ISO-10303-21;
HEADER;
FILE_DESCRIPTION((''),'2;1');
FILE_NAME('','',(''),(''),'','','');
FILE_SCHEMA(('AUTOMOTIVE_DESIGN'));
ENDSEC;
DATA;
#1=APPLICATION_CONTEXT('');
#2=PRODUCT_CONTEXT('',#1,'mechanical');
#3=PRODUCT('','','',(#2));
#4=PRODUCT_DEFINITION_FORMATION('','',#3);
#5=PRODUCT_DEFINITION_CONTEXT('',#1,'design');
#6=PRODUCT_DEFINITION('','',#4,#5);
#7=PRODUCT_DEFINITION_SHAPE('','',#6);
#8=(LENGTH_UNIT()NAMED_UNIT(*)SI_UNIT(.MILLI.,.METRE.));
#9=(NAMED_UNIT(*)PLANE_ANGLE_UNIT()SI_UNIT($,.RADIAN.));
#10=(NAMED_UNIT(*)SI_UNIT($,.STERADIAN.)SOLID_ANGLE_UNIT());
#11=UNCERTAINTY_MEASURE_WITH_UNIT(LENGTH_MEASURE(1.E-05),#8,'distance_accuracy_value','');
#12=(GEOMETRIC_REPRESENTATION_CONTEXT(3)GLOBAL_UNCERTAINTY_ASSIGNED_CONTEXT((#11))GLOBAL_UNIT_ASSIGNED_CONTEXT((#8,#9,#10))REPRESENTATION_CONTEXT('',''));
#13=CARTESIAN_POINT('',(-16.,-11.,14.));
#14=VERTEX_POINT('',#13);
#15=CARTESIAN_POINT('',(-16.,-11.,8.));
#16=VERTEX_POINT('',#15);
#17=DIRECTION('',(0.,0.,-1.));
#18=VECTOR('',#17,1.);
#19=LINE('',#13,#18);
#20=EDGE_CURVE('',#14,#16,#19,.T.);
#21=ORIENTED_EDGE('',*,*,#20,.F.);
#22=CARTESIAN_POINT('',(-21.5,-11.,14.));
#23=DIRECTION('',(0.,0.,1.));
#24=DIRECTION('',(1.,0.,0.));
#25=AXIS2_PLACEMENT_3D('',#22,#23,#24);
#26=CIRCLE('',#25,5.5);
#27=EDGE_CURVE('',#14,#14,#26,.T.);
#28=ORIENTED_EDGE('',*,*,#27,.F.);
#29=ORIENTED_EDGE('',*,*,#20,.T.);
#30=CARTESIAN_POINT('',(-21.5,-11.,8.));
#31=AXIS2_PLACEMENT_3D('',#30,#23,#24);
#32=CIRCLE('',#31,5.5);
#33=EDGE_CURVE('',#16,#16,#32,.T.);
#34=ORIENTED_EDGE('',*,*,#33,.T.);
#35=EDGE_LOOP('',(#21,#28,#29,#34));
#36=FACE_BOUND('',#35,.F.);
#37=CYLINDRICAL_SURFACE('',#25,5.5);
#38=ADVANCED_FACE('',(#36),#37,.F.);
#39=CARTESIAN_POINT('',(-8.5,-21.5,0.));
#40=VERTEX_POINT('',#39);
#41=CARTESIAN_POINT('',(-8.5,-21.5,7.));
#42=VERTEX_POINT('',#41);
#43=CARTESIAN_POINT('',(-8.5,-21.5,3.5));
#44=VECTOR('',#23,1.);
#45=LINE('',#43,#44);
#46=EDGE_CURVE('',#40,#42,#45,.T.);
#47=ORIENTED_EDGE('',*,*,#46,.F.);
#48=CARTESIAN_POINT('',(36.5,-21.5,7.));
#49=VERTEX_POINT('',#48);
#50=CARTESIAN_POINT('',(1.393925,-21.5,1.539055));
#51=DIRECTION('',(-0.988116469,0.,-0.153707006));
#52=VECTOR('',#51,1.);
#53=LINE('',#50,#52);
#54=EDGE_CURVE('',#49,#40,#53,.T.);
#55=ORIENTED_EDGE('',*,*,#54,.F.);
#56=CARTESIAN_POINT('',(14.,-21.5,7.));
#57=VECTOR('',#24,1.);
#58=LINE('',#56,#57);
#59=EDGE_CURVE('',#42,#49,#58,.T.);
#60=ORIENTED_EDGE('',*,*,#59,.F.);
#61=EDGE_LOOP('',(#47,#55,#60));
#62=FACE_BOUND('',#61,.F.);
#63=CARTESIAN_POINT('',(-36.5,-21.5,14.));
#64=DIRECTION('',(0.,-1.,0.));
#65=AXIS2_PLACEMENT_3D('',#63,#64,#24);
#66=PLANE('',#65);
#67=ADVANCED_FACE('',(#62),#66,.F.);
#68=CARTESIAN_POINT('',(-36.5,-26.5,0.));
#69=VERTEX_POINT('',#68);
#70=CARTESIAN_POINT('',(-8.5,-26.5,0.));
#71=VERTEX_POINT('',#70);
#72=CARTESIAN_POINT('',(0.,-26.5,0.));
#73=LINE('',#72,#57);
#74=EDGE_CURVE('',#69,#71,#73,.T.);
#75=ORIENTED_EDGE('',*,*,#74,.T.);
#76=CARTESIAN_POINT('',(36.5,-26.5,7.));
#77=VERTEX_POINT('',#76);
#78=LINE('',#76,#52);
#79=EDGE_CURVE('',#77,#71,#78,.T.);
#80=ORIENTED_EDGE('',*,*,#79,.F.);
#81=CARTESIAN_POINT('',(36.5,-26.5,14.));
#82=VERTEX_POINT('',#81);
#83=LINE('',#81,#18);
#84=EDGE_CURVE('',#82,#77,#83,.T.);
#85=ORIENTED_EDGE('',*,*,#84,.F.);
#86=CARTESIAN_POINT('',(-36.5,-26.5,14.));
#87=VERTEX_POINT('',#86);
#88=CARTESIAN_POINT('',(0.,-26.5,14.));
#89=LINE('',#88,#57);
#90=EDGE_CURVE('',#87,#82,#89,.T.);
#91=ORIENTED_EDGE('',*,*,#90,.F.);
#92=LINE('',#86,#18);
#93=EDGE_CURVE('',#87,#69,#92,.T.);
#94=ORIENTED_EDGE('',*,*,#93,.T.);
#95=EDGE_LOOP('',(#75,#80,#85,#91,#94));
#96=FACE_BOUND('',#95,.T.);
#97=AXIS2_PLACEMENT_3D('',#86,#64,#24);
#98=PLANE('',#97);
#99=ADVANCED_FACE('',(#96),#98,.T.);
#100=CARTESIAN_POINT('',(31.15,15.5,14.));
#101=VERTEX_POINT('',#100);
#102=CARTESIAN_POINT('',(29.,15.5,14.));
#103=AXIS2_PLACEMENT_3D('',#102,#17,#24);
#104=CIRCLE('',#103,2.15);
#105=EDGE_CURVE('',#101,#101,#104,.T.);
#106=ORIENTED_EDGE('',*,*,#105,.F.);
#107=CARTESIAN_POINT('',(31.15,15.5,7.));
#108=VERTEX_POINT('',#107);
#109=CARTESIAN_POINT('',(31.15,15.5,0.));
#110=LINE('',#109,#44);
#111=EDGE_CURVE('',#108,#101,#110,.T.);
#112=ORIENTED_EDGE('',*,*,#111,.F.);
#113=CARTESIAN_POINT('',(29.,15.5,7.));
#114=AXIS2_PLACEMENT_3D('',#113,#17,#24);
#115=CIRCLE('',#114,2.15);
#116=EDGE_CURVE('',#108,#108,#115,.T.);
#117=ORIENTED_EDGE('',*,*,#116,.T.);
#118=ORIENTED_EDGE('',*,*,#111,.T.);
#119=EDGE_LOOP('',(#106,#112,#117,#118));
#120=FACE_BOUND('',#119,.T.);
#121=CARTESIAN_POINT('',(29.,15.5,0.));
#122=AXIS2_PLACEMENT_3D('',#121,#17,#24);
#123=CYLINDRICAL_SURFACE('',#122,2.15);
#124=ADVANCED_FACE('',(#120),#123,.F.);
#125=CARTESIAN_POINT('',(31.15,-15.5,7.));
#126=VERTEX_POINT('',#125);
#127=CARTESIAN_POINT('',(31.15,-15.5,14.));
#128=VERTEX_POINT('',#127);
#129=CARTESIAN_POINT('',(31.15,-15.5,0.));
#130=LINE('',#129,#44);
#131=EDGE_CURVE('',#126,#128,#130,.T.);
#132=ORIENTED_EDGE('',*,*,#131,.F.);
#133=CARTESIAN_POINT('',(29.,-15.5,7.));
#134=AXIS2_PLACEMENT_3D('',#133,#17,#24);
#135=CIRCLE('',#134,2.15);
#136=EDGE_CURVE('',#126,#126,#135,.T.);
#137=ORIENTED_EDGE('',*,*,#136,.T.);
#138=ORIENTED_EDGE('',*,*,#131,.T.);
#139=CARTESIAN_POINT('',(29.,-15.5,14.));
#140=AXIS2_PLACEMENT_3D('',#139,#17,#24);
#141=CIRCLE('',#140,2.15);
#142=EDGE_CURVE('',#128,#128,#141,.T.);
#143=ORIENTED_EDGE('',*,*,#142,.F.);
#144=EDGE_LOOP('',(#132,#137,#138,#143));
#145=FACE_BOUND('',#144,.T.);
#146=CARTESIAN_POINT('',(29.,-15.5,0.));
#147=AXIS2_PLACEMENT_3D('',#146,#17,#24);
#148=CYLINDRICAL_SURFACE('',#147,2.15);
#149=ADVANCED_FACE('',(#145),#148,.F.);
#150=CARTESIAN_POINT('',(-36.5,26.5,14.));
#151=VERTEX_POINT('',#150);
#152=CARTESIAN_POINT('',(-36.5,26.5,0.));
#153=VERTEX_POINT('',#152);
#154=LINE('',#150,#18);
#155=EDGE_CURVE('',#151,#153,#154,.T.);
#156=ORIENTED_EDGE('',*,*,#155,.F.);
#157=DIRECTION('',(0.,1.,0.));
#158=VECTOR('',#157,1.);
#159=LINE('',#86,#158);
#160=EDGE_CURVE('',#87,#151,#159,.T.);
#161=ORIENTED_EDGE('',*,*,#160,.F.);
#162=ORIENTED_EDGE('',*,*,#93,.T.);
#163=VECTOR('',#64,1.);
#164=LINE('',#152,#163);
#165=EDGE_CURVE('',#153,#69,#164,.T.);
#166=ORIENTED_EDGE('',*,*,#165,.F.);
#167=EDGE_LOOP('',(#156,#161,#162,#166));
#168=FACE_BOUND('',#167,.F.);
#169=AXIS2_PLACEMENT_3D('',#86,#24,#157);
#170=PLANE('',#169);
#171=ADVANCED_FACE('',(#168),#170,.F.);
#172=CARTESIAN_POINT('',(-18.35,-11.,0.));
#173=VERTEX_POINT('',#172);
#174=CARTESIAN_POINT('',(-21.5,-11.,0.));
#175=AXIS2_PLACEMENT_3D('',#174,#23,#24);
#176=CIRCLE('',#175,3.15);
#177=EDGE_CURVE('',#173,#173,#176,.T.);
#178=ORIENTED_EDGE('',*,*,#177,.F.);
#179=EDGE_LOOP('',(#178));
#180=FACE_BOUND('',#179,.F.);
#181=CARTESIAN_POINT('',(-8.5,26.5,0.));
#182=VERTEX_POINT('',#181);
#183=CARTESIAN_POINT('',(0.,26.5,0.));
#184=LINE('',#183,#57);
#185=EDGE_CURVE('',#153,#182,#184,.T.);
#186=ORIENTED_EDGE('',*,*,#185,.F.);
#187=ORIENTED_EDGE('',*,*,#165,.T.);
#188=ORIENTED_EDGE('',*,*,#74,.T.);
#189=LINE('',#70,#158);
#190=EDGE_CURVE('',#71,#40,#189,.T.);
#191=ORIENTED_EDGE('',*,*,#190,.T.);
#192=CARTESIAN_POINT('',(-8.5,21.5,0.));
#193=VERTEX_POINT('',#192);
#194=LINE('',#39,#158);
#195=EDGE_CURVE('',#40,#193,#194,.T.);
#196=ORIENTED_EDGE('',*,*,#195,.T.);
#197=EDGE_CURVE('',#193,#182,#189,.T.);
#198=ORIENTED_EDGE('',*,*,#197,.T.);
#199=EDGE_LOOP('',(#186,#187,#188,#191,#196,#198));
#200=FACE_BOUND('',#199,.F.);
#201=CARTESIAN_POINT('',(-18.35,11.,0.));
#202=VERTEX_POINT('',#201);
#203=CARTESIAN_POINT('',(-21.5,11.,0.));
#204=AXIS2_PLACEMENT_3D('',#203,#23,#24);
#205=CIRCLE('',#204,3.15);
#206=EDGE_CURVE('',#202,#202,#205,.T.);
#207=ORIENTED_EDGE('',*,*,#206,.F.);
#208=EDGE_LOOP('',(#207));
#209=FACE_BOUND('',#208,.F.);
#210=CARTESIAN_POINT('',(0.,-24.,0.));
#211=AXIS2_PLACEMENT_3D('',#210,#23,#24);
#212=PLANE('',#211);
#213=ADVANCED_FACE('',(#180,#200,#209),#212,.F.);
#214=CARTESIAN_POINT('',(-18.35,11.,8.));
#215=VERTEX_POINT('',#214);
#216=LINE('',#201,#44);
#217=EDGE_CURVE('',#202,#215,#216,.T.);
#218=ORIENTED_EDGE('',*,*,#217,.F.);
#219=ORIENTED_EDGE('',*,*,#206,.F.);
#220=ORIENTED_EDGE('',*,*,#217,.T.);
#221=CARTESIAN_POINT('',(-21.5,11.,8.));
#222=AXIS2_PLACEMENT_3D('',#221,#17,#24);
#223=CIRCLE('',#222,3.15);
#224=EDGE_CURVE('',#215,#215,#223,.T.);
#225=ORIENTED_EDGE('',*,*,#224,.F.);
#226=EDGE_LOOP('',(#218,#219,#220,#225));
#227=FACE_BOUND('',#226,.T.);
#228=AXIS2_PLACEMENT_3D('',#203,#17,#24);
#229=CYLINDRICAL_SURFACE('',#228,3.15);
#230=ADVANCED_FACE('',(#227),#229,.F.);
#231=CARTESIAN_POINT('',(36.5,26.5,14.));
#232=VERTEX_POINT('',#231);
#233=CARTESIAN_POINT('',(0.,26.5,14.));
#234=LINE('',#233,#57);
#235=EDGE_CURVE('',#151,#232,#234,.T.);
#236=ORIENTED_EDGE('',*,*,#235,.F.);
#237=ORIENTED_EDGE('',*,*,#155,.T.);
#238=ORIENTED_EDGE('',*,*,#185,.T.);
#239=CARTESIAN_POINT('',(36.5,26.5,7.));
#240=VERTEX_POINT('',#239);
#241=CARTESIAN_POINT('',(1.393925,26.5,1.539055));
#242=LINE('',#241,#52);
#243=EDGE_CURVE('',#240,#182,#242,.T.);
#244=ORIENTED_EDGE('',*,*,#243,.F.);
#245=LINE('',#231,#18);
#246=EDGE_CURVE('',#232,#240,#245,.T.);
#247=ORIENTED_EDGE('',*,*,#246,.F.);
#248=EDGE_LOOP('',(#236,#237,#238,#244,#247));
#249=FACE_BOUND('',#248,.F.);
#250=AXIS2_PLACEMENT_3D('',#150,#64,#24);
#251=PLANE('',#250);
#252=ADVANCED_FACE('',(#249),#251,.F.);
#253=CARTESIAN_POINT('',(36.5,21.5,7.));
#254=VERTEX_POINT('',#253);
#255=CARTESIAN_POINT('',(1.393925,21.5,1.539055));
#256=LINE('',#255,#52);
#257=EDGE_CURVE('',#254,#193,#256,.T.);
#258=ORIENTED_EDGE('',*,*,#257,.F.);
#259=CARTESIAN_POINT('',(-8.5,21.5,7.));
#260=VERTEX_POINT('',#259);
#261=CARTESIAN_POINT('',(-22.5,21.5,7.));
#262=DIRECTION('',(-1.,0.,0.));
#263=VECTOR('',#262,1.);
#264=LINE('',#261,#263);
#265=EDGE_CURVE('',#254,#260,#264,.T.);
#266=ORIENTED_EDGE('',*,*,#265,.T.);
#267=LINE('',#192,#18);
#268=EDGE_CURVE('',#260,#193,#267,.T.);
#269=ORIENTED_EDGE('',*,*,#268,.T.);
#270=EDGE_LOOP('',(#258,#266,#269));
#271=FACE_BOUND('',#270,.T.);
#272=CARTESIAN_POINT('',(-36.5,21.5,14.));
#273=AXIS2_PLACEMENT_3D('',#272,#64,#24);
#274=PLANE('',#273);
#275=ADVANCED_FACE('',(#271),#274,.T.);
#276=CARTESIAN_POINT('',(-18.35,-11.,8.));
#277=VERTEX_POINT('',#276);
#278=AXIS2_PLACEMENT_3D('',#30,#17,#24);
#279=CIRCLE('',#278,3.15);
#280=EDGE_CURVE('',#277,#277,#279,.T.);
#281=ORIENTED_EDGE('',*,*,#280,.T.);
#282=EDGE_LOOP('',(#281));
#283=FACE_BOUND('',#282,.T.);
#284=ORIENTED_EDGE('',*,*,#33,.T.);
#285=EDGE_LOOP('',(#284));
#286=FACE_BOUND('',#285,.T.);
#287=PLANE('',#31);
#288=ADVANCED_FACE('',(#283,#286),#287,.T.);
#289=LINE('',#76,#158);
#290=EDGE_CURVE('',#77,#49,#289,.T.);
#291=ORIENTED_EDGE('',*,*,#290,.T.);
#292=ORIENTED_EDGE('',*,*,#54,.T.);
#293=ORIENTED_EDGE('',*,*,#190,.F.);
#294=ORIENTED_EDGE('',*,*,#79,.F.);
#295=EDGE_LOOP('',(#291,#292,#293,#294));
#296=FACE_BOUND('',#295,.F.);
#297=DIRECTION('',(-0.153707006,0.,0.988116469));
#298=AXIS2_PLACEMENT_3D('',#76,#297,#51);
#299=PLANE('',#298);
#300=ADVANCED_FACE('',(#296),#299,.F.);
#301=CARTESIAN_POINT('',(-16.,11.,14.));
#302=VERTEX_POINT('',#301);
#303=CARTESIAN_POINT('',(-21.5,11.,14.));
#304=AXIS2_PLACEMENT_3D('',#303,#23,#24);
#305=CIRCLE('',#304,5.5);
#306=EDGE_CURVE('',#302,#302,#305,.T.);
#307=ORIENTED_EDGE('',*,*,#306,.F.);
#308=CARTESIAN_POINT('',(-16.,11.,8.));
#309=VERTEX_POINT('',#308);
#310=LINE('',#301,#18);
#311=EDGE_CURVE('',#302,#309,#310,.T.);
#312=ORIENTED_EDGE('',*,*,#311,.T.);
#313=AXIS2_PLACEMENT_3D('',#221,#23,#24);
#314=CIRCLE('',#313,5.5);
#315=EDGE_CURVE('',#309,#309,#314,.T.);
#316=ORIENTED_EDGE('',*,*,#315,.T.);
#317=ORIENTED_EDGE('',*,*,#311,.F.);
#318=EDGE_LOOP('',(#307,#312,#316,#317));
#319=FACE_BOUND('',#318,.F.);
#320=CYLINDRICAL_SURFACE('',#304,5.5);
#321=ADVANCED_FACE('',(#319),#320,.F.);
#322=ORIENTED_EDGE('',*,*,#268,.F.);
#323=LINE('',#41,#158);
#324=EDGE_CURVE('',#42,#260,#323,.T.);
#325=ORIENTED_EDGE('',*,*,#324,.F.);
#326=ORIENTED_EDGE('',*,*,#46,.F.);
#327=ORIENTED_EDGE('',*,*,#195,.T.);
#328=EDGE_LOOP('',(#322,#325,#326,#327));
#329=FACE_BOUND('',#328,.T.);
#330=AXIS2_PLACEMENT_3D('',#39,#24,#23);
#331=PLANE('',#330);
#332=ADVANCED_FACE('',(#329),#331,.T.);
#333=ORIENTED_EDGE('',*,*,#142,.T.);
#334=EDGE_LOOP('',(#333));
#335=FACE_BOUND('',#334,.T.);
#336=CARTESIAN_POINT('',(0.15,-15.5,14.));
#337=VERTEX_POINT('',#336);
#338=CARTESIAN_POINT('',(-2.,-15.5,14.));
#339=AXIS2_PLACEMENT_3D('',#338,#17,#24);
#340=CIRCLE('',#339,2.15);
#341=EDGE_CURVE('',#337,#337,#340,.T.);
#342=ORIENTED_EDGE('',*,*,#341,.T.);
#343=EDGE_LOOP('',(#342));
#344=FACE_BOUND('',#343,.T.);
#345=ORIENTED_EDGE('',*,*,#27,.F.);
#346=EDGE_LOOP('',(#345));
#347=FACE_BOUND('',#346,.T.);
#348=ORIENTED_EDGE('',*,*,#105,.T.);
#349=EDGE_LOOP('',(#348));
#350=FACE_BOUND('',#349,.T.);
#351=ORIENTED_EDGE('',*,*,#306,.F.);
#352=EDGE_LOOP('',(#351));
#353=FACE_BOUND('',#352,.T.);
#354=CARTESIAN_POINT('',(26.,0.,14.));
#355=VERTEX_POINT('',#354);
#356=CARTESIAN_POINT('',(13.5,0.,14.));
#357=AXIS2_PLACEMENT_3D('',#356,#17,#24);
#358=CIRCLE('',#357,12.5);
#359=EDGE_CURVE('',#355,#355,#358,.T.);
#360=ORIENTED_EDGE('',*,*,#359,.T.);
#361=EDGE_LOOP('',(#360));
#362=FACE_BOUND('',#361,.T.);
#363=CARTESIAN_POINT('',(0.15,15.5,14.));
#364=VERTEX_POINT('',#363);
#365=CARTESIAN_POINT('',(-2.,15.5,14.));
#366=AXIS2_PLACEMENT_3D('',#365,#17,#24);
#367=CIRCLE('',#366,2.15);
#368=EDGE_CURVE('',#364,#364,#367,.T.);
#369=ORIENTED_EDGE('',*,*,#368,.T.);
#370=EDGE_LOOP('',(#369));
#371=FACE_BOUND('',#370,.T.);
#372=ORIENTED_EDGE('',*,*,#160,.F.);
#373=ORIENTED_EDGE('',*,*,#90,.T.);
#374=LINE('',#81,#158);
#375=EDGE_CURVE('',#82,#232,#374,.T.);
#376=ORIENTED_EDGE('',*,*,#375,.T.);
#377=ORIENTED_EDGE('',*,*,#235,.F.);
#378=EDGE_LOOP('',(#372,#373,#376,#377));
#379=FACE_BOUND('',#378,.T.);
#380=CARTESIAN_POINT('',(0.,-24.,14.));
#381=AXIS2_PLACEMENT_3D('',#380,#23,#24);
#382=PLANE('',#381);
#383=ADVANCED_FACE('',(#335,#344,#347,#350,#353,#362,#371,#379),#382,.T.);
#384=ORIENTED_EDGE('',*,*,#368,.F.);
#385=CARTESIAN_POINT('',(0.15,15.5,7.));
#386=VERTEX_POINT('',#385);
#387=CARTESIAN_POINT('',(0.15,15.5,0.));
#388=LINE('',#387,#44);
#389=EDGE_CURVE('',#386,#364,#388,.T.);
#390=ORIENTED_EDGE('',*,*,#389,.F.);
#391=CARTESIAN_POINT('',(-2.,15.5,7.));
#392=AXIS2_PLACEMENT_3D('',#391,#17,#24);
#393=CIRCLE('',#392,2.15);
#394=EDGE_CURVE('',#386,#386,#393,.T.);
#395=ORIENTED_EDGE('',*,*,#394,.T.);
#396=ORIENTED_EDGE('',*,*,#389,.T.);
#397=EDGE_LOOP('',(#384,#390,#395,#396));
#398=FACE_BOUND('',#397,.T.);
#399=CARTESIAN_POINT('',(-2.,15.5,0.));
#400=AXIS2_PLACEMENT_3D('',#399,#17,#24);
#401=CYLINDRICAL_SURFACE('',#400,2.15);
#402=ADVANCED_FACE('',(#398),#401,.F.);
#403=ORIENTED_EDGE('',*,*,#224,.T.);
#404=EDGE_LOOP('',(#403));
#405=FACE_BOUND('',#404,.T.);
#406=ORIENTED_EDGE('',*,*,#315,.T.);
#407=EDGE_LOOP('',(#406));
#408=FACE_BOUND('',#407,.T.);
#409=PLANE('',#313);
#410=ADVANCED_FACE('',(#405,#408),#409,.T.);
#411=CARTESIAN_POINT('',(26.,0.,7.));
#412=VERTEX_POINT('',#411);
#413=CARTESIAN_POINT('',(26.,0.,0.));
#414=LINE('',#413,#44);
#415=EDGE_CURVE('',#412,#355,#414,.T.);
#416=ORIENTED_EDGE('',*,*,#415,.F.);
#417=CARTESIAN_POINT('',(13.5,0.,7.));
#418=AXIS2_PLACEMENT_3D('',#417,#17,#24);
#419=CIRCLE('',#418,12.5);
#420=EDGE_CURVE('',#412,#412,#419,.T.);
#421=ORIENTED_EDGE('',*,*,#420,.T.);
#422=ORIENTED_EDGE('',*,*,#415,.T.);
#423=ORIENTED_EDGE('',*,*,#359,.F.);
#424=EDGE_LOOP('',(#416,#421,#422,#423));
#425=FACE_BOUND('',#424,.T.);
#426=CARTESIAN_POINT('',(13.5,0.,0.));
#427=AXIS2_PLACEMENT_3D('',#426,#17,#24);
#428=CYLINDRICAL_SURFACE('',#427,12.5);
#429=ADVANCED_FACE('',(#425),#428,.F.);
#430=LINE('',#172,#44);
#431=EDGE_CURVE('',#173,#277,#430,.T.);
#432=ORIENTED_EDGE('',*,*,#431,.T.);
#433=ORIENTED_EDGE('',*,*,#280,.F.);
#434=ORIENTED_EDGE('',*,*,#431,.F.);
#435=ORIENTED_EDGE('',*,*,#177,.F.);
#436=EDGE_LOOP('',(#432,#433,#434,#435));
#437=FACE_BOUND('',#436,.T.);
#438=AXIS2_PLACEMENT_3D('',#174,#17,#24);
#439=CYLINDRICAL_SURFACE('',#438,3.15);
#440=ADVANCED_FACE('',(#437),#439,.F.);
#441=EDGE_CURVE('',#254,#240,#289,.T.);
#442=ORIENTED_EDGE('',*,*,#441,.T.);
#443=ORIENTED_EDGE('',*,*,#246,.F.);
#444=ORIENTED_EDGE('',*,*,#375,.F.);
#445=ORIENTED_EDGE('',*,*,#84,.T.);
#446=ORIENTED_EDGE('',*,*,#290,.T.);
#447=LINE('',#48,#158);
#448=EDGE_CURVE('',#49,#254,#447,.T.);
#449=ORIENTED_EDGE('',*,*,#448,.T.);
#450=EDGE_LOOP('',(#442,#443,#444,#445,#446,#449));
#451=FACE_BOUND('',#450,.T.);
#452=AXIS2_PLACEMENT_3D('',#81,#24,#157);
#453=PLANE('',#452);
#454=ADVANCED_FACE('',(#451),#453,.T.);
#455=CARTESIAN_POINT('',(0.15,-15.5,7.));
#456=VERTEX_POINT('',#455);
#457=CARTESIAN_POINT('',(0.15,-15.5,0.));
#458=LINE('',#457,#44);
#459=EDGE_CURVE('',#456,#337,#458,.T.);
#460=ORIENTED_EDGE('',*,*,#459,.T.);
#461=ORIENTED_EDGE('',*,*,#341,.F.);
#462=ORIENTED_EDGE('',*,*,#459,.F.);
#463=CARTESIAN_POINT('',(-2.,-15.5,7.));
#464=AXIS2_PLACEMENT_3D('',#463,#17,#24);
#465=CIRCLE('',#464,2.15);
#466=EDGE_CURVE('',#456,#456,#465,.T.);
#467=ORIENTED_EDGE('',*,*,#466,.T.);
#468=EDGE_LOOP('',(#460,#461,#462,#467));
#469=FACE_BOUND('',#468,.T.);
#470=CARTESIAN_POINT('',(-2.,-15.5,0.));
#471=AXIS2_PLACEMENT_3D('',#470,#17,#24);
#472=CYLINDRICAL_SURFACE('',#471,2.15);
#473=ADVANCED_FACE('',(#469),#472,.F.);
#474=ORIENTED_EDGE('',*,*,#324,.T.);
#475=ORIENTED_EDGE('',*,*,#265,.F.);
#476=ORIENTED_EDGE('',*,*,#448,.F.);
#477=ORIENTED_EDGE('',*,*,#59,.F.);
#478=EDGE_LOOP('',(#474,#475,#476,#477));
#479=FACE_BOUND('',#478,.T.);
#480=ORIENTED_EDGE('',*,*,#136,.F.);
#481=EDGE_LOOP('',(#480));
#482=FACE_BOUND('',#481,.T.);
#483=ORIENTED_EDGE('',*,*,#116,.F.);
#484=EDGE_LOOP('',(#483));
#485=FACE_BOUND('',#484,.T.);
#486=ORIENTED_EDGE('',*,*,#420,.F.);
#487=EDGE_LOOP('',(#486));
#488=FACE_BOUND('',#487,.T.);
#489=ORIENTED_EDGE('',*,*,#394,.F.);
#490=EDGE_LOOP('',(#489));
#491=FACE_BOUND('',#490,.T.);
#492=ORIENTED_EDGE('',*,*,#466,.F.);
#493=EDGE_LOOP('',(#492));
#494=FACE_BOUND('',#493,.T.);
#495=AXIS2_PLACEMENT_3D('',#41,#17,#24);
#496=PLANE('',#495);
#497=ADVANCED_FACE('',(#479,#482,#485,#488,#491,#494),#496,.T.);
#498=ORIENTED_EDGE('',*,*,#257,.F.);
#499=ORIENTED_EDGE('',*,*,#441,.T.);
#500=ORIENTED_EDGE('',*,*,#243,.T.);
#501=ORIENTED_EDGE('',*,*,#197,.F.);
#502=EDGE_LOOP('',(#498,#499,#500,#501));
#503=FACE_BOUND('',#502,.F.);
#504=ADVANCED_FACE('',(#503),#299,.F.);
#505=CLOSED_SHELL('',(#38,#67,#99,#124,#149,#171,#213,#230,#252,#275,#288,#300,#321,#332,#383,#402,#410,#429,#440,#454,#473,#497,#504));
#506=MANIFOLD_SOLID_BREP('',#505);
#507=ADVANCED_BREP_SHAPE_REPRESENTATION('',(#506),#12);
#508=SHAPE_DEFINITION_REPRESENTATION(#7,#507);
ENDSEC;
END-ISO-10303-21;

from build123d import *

# Parameters (mm, degrees)
F0_W     = 73
F0_H     = 43
F0_R     = 3.15
F0_R_2   = 2.15
F0_R_3   = 12.5
F1_DEPTH = 20
F2_W     = 73
F2_H     = 6
F2_W_2   = 45
F2_H_2   = 7
F3_DEPTH = 43.001
F4_W     = 73
F4_H     = 5
F5_DEPTH = 14
F7_DEPTH = 53.001
F8_R     = 5.5
F9_DEPTH = 6


with BuildPart() as f1:
    # F0 (on Top) → F1 (new body)
    with BuildSketch(Plane.XY):
        Rectangle(F0_W, F0_H)
        with Locations((-21.5, -11)):
            Circle(F0_R, mode=Mode.SUBTRACT)
        with Locations((-2, -15.5)):
            Circle(F0_R_2, mode=Mode.SUBTRACT)
        with Locations((29, -15.5)):
            Circle(F0_R_2, mode=Mode.SUBTRACT)
        with Locations((-21.5, 11)):
            Circle(F0_R, mode=Mode.SUBTRACT)
        with Locations((-2, 15.5)):
            Circle(F0_R_2, mode=Mode.SUBTRACT)
        with Locations((13.5, 0)):
            Circle(F0_R_3, mode=Mode.SUBTRACT)
        with Locations((29, 15.5)):
            Circle(F0_R_2, mode=Mode.SUBTRACT)
    extrude(amount=F1_DEPTH)

    # F2 (on face) → F3 (cut, through all)
    with BuildSketch(Plane.XZ.offset(21.5)):
        with Locations((0, 17)):
            Rectangle(F2_W, F2_H)
        with Locations((14, 3.5)):
            Rectangle(F2_W_2, F2_H_2)
    extrude(amount=-F3_DEPTH, mode=Mode.SUBTRACT)

    # F4 (on face) → F5 (join, through all)
    with BuildSketch(Plane.XY.offset(14)):
        with Locations((0, -24)):
            Rectangle(F4_W, F4_H)
        with Locations((0, 24)):
            Rectangle(F4_W, F4_H)
    extrude(amount=-F5_DEPTH)

    # F6 (on face) → F7 (cut, through all)
    with BuildSketch(Plane.XZ.offset(26.5)):
        Polygon((36.5, 7), (-8.5, 0), (36.5, 0), align=None)
    extrude(amount=-F7_DEPTH, mode=Mode.SUBTRACT)

    # F8 (on face) → F9 (cut)
    with BuildSketch(Plane.XY.offset(14)):
        with Locations((-21.5, 11)):
            Circle(F8_R)
        with Locations((-21.5, -11)):
            Circle(F8_R)
    extrude(amount=-F9_DEPTH, mode=Mode.SUBTRACT)


solid = f1.part
